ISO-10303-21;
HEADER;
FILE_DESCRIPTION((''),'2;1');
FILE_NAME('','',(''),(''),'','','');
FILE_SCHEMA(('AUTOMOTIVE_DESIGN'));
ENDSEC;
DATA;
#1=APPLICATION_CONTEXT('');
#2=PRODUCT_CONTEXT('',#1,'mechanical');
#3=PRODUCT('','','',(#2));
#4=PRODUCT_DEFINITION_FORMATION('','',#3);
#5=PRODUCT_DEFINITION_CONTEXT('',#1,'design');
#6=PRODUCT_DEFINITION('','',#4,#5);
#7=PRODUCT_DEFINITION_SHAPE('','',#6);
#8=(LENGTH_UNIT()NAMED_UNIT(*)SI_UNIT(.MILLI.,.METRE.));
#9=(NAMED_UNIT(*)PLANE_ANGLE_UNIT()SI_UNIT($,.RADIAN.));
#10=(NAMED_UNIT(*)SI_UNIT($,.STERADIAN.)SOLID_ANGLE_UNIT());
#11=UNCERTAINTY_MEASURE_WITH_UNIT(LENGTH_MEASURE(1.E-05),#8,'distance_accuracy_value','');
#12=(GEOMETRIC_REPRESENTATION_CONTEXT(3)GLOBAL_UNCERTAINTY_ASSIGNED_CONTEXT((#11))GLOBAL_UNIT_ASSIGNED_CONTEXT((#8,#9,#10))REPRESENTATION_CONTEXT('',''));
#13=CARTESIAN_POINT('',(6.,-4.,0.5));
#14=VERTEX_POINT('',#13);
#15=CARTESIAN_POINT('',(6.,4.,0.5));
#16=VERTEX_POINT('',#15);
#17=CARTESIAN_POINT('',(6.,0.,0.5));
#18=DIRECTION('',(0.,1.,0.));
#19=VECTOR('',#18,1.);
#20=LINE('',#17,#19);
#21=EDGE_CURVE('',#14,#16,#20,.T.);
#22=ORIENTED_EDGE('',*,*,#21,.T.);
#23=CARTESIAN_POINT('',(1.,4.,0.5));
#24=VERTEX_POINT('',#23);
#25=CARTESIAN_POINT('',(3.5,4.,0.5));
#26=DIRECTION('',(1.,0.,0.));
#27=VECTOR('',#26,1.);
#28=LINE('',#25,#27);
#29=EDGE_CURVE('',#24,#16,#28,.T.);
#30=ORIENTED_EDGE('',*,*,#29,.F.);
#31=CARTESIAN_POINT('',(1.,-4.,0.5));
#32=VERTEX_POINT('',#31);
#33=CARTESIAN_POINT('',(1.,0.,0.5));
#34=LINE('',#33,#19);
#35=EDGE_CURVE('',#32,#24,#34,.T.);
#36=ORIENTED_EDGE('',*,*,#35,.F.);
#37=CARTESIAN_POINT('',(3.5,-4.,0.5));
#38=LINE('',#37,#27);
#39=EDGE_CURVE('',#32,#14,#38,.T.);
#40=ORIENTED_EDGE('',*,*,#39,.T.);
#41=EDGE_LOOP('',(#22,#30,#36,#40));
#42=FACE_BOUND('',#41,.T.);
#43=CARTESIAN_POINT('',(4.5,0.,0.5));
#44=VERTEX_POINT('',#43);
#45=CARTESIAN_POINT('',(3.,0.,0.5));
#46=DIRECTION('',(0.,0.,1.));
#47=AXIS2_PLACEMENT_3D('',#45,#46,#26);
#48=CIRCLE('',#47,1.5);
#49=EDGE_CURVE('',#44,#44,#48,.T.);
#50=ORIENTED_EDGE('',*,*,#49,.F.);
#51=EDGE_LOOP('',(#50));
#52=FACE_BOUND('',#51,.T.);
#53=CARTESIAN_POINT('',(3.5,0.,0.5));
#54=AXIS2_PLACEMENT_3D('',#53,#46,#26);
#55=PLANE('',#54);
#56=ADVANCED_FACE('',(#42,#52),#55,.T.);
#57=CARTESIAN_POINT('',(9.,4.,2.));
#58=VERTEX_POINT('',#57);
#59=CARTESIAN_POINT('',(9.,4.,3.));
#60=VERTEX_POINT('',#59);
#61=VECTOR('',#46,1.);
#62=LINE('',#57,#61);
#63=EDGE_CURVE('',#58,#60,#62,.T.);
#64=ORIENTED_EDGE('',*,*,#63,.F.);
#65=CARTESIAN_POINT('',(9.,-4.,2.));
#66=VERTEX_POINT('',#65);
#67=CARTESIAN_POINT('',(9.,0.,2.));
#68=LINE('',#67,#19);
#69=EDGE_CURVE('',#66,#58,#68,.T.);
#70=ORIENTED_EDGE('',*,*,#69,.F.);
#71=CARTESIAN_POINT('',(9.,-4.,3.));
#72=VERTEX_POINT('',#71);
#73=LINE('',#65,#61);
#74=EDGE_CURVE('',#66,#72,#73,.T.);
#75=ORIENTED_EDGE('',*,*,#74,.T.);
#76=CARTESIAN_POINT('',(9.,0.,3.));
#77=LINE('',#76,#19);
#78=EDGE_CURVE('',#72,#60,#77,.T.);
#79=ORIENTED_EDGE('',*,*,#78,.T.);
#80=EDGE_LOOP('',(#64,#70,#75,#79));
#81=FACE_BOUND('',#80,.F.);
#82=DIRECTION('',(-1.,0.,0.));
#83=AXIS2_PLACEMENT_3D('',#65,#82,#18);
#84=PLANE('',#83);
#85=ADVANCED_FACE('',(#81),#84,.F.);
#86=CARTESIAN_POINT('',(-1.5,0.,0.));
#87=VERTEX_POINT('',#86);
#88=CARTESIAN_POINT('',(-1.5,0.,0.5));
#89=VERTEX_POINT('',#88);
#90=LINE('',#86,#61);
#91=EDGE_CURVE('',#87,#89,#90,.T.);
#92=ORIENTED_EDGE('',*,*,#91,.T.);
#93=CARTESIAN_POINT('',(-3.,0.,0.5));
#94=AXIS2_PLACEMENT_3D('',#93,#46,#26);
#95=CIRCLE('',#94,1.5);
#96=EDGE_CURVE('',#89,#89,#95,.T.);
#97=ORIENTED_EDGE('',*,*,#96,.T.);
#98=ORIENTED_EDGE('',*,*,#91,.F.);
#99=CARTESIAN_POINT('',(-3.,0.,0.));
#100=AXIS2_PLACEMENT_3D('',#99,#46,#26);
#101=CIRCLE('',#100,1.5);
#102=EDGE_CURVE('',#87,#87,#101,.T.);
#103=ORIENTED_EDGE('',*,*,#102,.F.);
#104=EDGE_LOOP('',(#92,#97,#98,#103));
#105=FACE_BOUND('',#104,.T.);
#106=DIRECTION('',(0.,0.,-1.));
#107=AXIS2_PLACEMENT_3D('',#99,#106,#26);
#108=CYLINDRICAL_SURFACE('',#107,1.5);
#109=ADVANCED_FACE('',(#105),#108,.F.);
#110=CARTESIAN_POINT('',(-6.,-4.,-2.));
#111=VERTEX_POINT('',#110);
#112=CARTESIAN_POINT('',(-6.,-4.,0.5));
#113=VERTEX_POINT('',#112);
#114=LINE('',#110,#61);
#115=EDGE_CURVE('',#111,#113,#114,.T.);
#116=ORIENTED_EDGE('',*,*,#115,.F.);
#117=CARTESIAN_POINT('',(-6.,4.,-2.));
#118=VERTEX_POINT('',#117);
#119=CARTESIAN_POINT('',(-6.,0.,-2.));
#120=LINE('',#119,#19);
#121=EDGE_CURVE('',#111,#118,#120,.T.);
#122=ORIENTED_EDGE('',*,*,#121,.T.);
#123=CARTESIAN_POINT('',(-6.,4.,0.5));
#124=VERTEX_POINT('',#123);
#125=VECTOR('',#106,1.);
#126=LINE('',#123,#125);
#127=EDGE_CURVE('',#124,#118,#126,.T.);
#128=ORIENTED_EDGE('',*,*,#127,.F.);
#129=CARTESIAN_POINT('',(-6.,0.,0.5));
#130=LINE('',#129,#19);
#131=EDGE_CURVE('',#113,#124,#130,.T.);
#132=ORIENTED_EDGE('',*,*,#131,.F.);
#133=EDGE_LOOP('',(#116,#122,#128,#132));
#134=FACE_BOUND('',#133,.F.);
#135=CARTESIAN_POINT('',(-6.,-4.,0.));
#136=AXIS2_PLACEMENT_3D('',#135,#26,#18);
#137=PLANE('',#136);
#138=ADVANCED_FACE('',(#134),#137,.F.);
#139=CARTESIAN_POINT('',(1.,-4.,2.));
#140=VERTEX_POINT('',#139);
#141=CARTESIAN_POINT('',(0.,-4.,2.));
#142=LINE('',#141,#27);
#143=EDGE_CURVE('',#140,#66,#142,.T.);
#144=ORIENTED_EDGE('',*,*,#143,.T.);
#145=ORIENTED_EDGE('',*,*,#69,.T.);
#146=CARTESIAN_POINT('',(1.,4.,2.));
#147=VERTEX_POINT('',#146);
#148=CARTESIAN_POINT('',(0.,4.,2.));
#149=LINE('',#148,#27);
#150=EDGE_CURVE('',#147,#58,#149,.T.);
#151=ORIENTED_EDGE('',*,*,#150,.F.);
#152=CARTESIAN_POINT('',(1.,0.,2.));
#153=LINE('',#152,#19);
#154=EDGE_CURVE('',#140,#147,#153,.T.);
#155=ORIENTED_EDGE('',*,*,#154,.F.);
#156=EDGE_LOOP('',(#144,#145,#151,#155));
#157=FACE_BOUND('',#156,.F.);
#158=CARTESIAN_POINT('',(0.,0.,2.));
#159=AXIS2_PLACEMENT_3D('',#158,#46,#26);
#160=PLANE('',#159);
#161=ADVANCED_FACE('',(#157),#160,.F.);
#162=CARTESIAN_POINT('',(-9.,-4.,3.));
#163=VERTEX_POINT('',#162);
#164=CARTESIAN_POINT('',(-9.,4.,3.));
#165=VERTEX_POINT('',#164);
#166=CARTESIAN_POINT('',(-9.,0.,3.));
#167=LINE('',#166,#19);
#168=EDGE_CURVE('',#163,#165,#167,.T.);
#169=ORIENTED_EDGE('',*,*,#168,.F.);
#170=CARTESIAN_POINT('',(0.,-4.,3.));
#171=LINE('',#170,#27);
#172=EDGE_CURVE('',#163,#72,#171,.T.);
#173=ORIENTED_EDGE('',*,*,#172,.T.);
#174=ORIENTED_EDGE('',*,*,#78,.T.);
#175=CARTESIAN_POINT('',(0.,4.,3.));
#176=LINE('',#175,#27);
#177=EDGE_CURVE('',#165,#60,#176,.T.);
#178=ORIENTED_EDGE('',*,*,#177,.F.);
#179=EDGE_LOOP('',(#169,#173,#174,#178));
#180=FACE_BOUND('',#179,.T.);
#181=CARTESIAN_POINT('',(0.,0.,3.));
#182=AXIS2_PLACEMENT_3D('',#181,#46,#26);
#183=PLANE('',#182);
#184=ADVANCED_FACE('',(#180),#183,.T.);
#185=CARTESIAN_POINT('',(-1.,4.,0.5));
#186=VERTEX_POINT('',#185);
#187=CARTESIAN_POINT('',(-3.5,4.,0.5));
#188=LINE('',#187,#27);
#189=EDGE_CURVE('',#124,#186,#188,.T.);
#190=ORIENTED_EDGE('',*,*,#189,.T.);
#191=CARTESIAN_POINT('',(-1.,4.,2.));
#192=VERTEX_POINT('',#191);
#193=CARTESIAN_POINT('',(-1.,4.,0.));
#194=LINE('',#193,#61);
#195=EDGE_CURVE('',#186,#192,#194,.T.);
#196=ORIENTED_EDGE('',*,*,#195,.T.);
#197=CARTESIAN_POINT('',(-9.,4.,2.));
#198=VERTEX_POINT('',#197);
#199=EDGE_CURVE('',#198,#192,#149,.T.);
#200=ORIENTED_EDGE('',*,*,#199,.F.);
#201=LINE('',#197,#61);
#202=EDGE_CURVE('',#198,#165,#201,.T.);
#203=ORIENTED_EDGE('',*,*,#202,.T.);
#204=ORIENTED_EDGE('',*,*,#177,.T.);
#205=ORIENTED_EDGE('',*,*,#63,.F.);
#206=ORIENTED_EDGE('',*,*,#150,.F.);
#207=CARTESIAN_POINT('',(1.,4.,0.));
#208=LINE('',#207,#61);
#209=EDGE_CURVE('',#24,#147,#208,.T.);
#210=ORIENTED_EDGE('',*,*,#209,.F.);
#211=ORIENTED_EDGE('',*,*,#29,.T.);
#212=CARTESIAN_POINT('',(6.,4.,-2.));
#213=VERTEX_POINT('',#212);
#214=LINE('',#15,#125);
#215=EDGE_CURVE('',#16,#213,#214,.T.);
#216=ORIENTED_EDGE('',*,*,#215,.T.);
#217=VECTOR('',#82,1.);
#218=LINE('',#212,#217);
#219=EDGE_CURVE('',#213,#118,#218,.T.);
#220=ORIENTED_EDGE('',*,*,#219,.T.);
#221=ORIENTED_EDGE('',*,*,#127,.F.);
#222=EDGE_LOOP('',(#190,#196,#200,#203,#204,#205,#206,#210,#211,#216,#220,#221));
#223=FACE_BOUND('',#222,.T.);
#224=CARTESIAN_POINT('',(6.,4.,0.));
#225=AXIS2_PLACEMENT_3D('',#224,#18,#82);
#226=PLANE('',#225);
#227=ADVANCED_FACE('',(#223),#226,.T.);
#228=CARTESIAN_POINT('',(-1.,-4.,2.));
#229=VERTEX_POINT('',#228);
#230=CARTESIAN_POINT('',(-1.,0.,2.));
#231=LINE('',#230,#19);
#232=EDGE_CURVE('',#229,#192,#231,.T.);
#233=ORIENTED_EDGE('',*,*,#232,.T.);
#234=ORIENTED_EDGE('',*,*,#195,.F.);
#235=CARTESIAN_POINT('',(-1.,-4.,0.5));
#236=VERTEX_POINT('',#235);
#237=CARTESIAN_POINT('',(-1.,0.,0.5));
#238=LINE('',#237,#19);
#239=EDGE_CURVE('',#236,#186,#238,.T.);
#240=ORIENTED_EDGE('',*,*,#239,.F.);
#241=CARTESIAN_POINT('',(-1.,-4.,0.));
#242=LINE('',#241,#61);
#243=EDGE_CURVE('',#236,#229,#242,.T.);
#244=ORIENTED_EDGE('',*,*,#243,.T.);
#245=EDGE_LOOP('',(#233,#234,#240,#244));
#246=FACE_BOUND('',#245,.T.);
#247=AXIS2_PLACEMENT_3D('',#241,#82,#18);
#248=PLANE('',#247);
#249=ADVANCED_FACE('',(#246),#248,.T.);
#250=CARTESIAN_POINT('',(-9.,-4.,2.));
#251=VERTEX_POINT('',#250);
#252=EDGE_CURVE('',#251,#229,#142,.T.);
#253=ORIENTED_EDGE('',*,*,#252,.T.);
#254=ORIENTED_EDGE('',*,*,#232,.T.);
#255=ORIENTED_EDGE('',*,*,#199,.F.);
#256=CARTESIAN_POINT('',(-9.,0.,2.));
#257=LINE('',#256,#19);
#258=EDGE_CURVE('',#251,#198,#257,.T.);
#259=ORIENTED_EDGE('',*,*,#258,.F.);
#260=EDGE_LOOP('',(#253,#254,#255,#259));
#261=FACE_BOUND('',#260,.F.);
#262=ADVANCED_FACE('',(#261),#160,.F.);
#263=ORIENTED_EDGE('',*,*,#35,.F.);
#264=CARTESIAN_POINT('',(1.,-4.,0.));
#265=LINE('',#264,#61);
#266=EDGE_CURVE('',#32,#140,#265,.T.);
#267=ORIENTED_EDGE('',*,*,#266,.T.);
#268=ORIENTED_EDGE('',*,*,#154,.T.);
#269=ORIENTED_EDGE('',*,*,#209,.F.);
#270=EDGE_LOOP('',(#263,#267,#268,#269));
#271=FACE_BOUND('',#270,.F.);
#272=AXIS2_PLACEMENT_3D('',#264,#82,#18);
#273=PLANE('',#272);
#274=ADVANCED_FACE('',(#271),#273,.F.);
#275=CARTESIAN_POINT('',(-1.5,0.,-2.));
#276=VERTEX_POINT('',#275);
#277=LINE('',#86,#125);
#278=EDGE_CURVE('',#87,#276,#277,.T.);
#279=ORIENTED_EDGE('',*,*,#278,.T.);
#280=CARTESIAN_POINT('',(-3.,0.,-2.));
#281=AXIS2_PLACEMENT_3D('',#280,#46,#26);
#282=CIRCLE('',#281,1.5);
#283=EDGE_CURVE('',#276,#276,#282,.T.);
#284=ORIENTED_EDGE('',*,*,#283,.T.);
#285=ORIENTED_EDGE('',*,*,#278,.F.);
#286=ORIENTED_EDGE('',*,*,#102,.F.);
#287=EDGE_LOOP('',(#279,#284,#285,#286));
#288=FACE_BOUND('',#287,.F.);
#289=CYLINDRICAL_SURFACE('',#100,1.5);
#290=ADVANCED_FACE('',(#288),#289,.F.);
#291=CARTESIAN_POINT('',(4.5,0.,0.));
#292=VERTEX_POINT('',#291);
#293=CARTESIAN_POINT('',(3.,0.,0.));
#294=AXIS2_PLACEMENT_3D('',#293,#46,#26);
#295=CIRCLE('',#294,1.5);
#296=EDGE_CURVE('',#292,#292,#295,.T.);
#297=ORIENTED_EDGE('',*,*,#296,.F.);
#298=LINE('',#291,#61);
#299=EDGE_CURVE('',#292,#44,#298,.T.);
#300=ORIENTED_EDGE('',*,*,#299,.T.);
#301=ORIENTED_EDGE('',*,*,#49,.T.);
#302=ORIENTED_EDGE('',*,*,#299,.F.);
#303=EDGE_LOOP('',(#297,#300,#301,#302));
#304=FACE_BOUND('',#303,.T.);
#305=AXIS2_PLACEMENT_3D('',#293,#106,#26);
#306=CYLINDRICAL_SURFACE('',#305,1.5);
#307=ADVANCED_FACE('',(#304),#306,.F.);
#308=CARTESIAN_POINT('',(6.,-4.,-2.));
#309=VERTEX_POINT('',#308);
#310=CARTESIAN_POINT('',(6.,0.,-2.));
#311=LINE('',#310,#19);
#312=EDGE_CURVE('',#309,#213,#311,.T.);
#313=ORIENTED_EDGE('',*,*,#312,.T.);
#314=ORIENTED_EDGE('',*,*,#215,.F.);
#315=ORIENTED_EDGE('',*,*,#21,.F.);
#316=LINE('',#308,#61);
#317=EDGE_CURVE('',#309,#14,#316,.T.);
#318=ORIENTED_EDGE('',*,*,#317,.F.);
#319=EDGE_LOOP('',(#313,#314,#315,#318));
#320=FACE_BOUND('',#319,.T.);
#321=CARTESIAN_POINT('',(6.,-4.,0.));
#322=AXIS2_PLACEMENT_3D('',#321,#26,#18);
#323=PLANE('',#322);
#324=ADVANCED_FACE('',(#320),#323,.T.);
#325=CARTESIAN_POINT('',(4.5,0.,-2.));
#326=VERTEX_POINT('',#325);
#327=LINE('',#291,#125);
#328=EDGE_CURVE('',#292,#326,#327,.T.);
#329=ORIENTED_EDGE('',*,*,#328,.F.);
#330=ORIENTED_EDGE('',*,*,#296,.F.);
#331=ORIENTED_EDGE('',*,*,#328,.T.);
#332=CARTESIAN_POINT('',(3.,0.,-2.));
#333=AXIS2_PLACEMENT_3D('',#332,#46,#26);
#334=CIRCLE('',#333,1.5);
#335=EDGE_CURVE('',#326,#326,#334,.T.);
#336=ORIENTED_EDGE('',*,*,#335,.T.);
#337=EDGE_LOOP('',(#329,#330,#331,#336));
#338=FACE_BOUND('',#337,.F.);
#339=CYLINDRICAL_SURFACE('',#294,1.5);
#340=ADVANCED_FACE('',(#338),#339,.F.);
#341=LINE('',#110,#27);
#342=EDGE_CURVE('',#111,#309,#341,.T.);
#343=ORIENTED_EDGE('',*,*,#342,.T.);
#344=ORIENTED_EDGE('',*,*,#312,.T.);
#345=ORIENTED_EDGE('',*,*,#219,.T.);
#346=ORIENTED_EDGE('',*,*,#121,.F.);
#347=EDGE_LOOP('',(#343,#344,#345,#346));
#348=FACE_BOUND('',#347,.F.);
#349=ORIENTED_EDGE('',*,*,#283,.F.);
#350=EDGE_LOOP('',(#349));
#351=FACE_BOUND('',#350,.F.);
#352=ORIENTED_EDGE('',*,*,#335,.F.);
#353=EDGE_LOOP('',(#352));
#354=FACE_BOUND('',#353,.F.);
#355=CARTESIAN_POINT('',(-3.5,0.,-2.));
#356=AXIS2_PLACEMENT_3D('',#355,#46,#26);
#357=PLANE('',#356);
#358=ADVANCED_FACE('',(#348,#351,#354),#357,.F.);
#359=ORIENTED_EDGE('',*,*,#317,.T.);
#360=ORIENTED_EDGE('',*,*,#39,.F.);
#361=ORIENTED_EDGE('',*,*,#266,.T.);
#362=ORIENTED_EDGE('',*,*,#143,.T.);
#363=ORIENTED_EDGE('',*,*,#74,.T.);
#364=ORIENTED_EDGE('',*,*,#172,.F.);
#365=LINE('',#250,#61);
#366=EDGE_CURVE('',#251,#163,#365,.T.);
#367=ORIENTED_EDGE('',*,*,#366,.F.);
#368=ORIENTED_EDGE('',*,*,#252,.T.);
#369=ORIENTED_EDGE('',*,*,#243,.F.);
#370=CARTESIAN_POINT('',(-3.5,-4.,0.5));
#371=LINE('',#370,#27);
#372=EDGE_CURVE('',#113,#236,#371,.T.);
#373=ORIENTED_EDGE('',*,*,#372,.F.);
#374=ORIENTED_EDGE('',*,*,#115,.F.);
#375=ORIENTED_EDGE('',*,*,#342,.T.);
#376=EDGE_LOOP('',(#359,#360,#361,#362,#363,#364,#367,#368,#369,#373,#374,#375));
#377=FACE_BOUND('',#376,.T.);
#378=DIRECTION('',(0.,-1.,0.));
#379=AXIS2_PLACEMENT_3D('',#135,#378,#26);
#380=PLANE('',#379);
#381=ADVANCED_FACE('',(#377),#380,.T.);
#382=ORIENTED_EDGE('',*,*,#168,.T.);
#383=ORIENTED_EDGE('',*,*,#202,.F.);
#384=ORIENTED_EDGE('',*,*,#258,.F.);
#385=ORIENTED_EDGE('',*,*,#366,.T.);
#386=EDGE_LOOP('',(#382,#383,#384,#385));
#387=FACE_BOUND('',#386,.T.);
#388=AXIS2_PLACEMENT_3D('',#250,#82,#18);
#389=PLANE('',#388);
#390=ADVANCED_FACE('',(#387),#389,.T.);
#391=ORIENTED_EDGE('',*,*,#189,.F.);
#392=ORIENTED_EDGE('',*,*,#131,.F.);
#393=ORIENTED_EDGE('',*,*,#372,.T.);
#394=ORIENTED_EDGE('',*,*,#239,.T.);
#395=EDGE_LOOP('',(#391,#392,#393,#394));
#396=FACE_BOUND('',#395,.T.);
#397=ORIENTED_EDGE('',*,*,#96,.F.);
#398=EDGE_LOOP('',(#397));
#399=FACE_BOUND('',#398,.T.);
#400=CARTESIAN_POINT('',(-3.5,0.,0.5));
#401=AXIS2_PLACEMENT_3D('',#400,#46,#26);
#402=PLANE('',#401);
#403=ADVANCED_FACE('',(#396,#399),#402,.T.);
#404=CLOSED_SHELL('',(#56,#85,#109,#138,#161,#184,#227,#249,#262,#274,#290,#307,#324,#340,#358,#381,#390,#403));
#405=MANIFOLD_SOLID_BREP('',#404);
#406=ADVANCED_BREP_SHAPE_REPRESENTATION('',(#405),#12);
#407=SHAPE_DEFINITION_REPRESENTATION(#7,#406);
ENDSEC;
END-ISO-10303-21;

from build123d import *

# Parameters (mm, degrees)
F0_W     = 5
F0_H     = 8
F0_R     = 1.5
F1_DEPTH = 0.5
F0_W_2   = 2
F2_DEPTH = 2
F4_W     = 18
F4_H     = 8
F5_DEPTH = 1
F6_DEPTH = 2


with BuildPart() as f1:
    # F0 (on Top) → F1 (new body)
    with BuildSketch(Plane.XY):
        with Locations((-3.5, 0)):
            Rectangle(F0_W, F0_H)
        with Locations((-3, 0)):
            Circle(F0_R, mode=Mode.SUBTRACT)
        with Locations((3.5, 0)):
            Rectangle(F0_W, F0_H)
        with Locations((3, 0)):
            Circle(F0_R, mode=Mode.SUBTRACT)
    extrude(amount=F1_DEPTH)

    # F0 (on Top) → F2 (join)
    with BuildSketch(Plane.XY):
        Rectangle(F0_W_2, F0_H)
    extrude(amount=F2_DEPTH)

    # F4 (on offset) → F5 (join)
    with BuildSketch(Plane.XY.offset(2)):
        Rectangle(F4_W, F4_H)
    extrude(amount=F5_DEPTH)

    # F0 (on Top) → F6 (join)
    with BuildSketch(Plane.XY):
        with Locations((-3.5, 0)):
            Rectangle(F0_W, F0_H)
        with Locations((-3, 0)):
            Circle(F0_R, mode=Mode.SUBTRACT)
        Rectangle(F0_W_2, F0_H)
        with Locations((3.5, 0)):
            Rectangle(F0_W, F0_H)
        with Locations((3, 0)):
            Circle(F0_R, mode=Mode.SUBTRACT)
    extrude(amount=-F6_DEPTH)


solid = f1.part
